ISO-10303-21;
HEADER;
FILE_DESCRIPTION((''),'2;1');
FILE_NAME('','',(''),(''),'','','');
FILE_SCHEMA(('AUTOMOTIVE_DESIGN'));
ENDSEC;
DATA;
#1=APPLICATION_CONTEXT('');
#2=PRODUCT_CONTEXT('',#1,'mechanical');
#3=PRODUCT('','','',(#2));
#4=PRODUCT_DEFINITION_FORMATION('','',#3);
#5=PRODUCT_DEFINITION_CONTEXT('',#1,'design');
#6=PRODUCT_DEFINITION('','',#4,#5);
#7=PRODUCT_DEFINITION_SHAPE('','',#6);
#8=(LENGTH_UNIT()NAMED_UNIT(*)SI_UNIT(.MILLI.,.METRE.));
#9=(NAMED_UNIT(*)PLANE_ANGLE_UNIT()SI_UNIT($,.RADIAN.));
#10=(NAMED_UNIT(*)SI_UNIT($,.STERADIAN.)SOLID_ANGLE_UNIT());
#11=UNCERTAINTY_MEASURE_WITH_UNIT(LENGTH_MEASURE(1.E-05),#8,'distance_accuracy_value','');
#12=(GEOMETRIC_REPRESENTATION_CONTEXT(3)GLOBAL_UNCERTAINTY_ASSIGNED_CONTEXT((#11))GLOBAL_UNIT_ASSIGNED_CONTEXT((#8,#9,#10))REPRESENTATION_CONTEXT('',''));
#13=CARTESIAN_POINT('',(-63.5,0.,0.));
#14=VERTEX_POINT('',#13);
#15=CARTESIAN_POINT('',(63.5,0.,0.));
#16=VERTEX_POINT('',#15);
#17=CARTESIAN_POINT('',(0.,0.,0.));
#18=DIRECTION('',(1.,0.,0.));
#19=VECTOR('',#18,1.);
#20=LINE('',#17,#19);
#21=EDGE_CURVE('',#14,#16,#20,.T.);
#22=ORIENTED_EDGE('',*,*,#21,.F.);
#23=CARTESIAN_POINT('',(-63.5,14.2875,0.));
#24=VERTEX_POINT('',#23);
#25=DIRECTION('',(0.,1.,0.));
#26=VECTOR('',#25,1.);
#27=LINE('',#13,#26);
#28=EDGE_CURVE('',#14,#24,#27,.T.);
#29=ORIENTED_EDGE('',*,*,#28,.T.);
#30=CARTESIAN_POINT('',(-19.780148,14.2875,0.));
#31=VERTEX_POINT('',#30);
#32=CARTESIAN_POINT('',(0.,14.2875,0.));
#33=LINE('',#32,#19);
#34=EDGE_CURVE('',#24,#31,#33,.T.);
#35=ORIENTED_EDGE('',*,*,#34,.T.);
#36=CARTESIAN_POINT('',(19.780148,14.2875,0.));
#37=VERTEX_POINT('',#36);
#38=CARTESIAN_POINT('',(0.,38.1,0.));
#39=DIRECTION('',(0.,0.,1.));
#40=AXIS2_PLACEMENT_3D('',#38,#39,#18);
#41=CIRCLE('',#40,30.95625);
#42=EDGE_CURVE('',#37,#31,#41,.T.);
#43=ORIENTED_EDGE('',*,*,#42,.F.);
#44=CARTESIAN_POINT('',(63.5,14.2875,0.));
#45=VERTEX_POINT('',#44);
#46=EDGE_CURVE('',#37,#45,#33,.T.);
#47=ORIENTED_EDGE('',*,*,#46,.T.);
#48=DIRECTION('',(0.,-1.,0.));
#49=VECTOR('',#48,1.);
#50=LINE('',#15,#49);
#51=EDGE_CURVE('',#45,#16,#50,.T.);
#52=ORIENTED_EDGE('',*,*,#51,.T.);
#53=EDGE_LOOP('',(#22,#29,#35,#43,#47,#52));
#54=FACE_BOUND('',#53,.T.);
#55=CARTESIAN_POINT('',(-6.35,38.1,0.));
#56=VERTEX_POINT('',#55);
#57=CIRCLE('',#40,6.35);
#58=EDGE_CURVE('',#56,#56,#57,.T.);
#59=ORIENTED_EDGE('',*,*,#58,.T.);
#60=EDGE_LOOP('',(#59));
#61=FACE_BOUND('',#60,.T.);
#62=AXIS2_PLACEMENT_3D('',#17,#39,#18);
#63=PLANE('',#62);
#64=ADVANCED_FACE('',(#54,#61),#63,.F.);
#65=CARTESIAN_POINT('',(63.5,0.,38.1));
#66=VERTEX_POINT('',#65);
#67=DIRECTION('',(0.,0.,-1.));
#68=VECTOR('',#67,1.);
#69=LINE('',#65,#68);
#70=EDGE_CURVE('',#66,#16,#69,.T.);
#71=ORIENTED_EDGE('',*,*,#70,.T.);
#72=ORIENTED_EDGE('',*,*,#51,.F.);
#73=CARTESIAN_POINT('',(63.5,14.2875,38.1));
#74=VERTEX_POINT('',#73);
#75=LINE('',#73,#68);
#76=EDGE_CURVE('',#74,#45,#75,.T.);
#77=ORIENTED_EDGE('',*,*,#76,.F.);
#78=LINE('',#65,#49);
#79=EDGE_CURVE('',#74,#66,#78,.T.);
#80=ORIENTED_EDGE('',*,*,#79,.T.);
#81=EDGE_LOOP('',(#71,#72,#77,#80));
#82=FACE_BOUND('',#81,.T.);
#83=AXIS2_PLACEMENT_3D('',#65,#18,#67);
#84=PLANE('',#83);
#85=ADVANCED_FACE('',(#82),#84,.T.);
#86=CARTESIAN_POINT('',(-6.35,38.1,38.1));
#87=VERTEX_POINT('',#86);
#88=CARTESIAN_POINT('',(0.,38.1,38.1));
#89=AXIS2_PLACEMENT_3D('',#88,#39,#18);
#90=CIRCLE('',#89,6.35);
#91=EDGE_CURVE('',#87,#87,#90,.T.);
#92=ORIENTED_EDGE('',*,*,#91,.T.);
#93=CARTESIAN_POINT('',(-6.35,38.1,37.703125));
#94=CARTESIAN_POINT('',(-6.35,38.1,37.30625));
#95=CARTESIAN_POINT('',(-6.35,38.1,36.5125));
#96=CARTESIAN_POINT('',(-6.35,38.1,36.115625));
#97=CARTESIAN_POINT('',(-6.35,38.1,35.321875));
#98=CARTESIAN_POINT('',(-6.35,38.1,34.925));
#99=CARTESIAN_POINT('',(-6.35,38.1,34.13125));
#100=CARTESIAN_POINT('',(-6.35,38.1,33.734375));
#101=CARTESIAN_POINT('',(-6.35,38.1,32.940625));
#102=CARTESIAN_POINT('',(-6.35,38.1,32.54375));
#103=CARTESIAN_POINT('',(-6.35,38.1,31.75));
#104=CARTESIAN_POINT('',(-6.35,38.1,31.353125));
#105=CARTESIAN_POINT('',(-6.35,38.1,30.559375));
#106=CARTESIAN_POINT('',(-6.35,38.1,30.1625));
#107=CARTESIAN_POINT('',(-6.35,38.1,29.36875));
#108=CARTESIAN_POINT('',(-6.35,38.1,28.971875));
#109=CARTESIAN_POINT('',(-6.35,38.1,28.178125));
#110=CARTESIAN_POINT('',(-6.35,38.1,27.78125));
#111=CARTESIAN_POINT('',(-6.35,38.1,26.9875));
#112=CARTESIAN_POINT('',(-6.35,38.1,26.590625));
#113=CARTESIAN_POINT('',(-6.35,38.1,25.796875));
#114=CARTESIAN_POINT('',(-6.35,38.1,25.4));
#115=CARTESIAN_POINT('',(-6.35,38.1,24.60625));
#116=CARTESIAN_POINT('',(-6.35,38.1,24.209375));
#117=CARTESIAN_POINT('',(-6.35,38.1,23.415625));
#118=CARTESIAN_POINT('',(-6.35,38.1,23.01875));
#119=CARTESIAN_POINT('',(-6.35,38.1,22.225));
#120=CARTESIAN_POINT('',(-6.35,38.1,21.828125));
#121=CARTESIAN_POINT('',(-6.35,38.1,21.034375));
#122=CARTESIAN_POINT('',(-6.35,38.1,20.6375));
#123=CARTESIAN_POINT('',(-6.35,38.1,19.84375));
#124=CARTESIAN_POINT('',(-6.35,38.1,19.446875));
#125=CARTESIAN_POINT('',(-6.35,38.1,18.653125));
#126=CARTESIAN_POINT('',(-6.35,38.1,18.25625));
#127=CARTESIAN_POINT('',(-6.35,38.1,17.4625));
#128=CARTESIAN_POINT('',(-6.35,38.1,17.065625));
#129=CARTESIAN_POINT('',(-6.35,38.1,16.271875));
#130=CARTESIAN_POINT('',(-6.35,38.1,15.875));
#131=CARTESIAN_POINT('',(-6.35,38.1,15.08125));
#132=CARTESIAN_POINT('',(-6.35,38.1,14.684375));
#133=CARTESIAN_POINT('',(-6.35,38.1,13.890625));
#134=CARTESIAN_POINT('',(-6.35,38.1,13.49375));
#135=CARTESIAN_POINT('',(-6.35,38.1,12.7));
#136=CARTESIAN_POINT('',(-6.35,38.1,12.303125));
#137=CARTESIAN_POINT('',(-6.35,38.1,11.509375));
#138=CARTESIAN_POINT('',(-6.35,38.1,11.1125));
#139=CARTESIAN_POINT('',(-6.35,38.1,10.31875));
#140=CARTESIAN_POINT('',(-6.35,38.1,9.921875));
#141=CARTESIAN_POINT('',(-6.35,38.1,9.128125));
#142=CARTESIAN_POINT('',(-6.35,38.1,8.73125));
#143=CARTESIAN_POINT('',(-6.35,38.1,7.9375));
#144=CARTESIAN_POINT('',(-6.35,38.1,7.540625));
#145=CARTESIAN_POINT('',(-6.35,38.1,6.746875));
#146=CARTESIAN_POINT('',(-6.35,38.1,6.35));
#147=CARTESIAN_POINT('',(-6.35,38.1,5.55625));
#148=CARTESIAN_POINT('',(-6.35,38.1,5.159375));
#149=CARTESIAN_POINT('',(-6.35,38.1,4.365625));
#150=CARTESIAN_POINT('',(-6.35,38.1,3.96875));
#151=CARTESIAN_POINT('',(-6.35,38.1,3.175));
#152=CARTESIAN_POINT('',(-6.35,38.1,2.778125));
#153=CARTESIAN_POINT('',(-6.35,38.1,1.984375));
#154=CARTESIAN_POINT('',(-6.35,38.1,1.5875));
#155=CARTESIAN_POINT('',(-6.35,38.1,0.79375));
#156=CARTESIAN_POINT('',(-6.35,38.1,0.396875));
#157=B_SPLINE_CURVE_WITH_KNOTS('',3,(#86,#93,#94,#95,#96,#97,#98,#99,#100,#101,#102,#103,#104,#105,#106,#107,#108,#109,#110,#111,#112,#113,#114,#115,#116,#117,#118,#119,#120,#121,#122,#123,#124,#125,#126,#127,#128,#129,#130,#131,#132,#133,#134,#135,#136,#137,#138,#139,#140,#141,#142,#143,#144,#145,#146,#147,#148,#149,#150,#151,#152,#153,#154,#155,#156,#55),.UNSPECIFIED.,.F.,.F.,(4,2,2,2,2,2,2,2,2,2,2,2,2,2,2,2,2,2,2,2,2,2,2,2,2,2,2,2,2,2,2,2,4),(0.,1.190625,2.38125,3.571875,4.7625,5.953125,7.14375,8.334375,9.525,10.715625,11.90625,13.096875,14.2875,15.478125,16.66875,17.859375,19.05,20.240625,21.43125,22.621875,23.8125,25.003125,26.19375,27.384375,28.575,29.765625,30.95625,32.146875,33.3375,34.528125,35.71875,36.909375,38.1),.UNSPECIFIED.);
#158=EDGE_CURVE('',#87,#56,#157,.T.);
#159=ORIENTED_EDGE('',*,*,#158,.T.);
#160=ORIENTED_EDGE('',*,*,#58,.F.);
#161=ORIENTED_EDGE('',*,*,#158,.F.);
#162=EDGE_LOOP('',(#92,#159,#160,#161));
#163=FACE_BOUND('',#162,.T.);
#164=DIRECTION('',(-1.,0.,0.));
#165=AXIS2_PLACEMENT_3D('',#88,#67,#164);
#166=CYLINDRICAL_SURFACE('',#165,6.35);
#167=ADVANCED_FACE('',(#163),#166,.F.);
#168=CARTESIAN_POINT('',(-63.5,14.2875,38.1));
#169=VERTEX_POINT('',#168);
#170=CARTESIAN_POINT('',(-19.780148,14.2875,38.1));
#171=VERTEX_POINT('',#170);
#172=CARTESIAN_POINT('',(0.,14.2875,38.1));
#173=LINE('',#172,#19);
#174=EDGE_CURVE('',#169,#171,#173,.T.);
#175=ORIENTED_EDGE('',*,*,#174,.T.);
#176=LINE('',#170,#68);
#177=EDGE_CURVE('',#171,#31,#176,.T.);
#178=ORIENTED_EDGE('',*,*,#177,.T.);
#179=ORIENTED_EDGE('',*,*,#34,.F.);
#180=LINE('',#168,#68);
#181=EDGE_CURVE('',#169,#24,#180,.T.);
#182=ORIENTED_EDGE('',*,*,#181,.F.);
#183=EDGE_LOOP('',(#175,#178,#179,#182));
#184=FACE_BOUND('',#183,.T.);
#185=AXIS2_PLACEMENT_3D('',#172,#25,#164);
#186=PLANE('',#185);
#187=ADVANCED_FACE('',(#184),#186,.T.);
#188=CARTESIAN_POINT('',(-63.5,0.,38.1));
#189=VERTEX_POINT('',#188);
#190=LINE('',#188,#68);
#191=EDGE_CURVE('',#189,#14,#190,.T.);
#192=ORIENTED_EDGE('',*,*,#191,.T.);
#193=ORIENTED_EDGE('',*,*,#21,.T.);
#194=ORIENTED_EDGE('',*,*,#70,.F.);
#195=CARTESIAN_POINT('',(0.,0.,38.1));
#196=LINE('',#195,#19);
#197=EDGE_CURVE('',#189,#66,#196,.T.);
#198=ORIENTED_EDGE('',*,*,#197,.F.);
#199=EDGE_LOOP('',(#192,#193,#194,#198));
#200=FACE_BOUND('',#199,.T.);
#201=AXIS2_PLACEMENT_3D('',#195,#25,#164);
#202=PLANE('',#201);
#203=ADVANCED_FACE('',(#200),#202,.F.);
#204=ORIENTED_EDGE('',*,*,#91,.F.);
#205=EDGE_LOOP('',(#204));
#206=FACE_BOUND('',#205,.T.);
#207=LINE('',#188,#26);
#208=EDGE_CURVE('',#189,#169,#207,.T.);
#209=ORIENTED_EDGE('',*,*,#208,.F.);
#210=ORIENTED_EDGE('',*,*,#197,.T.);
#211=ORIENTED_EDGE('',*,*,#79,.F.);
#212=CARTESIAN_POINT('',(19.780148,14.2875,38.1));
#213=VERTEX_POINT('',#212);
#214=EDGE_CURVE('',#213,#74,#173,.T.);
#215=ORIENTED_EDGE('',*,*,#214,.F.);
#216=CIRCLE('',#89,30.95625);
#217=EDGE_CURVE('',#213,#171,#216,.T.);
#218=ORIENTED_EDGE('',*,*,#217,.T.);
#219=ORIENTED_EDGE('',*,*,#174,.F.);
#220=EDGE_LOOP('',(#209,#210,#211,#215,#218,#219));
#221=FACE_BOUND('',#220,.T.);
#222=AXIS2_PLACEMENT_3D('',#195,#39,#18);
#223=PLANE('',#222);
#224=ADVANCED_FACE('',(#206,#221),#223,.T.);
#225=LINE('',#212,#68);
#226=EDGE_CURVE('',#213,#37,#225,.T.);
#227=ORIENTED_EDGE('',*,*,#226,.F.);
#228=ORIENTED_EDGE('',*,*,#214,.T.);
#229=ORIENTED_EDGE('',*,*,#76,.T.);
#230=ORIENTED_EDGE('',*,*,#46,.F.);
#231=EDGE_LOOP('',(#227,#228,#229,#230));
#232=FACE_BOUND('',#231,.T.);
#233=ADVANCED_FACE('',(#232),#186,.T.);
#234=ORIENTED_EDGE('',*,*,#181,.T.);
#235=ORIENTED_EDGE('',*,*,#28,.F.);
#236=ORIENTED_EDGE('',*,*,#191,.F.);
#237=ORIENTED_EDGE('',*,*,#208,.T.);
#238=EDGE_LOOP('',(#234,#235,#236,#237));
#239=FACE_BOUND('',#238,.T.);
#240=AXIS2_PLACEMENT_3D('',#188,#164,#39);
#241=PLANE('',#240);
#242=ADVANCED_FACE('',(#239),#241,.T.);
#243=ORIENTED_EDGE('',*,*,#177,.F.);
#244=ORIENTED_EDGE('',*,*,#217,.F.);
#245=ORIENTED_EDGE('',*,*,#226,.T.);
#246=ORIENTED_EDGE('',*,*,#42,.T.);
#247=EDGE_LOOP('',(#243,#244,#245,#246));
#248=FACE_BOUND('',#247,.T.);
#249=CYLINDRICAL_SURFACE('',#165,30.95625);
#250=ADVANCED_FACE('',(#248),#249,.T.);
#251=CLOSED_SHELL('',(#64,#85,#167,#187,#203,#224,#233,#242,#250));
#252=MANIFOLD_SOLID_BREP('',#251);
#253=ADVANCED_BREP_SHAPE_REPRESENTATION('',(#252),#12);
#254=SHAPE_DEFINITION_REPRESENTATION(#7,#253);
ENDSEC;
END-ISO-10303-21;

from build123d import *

# Parameters (mm, degrees)
SKETCH1_R           = 30.95625
SKETCH1_R_2         = 6.35
BOSS_EXTRUDE1_DEPTH = 38.1


with BuildPart() as part:
    # Sketch1 → Boss-Extrude1 (new body)
    # profile 1 of 2: a face of its own
    with BuildSketch(Plane.XY):
        with Locations((0, 38.1)):
            Circle(SKETCH1_R)
        with Locations(Location((0, 38.1, 0), (0, 0, 180))):
            Circle(SKETCH1_R_2, mode=Mode.SUBTRACT)
    # profile 2 of 2: a face of its own
    with BuildSketch(Plane.XY):
        with BuildLine():
            Line((-63.5, 14.2875), (-63.5, 0))
            Line((-63.5, 0), (63.5, 0))
            Line((63.5, 0), (63.5, 14.2875))
            Line((63.5, 14.2875), (19.780148074, 14.2875))
            ThreePointArc((19.780148074, 14.2875), (0, 7.14375), (-19.780148074, 14.2875))
            Line((-19.780148074, 14.2875), (-63.5, 14.2875))
        make_face()
    extrude(amount=BOSS_EXTRUDE1_DEPTH)


solid = part.part
